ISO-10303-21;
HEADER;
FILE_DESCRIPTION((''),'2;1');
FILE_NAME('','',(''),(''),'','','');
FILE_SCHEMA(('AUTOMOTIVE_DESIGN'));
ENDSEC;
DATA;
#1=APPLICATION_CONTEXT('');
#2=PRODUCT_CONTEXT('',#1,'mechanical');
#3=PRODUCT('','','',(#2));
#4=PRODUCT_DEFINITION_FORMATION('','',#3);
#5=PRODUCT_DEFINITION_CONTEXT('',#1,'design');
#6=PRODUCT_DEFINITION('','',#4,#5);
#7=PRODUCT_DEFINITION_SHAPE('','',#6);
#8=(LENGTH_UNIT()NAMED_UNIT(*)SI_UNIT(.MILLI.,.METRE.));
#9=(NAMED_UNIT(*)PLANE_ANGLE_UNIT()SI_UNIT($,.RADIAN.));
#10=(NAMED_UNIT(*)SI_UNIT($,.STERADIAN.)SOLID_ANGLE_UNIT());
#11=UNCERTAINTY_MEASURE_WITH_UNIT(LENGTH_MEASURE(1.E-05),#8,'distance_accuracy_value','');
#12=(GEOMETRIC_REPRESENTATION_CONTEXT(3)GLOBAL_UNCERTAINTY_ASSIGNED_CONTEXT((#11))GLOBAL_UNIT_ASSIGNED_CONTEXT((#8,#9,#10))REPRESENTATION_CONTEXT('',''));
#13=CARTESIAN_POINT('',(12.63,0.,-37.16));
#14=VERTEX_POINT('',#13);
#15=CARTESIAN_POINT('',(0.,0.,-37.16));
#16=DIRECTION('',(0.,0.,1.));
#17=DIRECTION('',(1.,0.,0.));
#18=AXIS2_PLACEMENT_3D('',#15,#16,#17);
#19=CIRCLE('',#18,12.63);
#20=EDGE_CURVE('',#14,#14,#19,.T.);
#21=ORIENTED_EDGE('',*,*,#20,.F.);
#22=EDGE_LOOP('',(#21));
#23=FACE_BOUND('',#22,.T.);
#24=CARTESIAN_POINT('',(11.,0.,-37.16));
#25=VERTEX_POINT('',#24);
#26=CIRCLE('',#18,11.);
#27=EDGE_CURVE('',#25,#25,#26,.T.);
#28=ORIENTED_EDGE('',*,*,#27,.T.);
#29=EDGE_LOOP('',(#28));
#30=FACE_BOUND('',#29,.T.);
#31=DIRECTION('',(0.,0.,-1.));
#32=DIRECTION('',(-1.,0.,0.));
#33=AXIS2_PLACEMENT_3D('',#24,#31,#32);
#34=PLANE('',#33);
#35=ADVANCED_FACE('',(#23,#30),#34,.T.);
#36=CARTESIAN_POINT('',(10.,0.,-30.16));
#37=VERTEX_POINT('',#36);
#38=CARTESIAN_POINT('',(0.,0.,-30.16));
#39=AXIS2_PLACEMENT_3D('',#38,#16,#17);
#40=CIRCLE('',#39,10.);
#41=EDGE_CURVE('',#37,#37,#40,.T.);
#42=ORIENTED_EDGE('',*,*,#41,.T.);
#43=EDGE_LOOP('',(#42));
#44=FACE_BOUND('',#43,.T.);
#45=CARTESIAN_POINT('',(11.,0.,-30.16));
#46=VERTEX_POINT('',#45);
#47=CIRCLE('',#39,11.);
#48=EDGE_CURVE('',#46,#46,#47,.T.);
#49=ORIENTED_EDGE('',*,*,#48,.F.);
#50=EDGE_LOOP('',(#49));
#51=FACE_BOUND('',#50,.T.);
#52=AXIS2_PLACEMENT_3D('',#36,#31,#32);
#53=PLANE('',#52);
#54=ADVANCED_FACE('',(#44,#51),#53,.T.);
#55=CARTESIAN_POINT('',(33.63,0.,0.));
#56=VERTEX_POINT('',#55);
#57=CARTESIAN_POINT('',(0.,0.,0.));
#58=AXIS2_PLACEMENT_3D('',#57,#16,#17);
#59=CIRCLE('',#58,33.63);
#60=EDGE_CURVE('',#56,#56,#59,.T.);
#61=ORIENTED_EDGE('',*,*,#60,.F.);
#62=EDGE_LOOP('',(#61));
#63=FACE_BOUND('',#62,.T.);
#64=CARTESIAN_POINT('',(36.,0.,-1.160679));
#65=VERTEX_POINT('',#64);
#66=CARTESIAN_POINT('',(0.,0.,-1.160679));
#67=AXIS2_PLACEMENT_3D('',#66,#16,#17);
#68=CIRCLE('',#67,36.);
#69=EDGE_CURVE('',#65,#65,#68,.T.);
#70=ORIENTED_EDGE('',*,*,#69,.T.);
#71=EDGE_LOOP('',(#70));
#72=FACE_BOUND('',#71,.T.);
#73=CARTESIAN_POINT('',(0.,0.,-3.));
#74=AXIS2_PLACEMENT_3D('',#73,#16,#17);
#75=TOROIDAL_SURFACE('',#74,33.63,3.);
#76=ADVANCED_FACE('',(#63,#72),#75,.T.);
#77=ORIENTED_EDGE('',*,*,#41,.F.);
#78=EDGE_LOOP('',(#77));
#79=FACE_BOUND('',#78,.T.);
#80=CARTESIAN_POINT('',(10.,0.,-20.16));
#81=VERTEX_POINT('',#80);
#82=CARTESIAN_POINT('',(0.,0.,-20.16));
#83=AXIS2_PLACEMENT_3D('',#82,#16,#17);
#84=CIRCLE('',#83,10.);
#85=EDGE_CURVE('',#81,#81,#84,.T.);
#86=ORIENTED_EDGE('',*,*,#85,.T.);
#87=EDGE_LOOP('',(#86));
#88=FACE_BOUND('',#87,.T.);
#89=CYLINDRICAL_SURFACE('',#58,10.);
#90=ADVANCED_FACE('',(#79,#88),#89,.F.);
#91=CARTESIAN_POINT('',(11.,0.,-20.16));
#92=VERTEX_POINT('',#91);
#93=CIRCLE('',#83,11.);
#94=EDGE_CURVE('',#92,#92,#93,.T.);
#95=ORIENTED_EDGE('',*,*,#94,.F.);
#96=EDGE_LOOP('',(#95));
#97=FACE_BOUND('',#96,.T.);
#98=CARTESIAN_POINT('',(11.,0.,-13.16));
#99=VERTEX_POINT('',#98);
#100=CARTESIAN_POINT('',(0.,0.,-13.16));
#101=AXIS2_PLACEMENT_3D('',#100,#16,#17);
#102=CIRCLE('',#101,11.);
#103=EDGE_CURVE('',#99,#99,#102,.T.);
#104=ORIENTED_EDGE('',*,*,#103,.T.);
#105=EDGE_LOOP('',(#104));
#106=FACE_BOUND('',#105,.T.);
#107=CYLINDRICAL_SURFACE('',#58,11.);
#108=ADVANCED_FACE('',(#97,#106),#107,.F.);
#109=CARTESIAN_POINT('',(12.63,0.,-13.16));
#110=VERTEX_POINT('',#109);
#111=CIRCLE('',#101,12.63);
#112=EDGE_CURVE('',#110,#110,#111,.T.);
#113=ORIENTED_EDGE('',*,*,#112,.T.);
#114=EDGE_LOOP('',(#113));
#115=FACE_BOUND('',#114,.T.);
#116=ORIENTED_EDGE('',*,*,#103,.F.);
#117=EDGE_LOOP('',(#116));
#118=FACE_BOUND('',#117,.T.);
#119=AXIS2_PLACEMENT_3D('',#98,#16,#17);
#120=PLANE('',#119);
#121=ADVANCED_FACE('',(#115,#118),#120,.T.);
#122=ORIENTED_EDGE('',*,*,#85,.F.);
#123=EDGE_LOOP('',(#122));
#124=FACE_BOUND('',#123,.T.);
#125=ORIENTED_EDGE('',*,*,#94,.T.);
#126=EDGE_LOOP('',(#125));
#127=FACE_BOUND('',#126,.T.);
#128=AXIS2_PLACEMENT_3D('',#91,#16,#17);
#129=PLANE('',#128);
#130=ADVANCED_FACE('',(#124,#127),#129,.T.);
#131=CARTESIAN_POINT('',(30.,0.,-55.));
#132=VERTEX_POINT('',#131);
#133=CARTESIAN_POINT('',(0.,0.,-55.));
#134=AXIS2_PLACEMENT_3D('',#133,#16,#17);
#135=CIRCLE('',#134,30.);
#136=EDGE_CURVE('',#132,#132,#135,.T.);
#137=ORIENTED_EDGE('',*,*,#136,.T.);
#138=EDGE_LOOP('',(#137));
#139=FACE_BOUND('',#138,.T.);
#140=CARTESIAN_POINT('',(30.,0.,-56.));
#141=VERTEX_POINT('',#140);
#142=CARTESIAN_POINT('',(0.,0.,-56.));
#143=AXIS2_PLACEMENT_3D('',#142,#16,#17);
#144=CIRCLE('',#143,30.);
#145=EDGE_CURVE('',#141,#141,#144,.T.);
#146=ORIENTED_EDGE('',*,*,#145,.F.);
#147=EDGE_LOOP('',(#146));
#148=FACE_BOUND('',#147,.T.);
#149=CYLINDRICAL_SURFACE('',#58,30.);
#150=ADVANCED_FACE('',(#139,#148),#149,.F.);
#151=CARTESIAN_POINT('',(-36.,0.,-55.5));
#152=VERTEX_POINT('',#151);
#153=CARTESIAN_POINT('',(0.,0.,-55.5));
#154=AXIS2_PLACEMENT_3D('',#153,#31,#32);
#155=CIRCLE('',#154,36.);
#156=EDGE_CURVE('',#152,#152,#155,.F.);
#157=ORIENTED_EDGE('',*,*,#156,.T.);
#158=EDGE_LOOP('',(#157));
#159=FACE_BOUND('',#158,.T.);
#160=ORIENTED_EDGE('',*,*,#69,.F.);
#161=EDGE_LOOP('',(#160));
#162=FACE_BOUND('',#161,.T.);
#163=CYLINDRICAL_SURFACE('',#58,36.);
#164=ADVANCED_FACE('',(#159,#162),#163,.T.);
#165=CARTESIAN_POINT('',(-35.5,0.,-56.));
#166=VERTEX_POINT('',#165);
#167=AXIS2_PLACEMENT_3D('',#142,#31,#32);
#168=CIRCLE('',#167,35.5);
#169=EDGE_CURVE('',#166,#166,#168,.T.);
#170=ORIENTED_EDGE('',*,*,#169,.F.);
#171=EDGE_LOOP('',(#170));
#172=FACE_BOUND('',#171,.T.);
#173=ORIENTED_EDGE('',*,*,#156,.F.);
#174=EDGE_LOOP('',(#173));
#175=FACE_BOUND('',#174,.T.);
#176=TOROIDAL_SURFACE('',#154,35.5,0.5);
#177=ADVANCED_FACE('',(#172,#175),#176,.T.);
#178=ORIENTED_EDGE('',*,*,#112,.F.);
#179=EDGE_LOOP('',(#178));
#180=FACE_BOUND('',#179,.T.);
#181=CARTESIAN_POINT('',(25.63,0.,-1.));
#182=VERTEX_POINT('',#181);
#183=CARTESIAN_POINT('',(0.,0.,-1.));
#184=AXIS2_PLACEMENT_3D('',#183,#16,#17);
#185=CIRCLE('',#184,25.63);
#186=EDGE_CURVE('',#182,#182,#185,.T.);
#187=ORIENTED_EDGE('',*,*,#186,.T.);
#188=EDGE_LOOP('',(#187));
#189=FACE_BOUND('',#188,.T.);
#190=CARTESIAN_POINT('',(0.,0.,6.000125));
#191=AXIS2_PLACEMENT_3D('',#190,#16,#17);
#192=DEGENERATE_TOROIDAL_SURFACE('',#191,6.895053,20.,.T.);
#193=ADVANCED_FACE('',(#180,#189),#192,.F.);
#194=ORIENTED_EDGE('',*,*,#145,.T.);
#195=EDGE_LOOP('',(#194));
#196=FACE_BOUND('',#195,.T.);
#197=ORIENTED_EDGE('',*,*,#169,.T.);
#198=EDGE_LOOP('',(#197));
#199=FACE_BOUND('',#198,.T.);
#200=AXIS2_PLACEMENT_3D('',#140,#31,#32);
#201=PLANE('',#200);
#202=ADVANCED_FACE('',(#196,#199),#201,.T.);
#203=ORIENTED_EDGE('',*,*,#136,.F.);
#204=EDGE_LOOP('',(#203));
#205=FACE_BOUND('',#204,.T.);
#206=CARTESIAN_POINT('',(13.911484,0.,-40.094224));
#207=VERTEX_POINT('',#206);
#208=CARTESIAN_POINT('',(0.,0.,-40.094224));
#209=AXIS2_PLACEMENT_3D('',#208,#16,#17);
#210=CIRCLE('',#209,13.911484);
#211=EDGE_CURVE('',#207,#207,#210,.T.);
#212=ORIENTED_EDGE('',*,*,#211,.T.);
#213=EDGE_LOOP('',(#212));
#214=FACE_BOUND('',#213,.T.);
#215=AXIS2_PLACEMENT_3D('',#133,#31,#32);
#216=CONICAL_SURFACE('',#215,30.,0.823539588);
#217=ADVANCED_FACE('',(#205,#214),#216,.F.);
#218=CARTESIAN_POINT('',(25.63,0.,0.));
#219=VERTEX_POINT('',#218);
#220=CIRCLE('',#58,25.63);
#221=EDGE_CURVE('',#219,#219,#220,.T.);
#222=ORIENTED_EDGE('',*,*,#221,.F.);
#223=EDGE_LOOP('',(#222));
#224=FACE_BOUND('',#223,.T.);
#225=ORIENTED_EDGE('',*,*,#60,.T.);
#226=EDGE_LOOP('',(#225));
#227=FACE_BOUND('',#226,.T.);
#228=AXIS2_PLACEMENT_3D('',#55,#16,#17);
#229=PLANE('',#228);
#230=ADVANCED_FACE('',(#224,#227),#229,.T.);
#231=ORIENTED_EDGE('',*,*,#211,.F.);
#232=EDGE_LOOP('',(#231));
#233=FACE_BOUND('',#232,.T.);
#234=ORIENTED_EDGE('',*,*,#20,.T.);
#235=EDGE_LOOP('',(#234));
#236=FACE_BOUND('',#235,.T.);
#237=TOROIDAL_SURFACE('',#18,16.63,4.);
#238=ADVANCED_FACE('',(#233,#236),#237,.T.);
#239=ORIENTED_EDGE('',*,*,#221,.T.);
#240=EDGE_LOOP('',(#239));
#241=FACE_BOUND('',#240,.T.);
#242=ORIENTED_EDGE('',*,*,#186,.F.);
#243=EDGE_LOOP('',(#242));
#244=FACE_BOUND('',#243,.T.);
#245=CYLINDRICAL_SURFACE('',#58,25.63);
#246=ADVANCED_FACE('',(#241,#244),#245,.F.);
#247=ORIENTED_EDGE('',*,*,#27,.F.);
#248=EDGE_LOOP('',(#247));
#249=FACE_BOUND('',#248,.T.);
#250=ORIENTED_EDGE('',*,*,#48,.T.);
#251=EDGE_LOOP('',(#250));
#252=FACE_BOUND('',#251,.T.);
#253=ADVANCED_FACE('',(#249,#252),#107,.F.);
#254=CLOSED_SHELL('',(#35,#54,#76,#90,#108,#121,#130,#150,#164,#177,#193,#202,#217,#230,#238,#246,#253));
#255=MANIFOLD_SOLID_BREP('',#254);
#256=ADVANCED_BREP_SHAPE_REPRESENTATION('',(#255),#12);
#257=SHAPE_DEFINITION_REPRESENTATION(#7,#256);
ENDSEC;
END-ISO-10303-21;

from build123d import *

# Parameters (mm, degrees)
FILLET1_R = 0.5


with BuildPart() as part:
    # Sketch1 → Revolve1 (revolve)
    with BuildSketch(Plane(origin=(0, 0, 0), x_dir=(1, 0, 0), z_dir=(0, 1, 0))):
        with BuildLine():
            Line((36, 56), (36, 1.160679473))
            ThreePointArc((36, 1.160679473), (34.94947687, 0.305750422), (33.63, 0))
            Line((33.63, 0), (25.63, 0))
            Line((25.63, 0), (25.63, 1))
            ThreePointArc((25.63, 1), (20.557422009, 8.606026819), (12.63, 13.16))
            Line((12.63, 13.16), (11, 13.16))
            Line((11, 13.16), (11, 20.16))
            Line((11, 20.16), (10, 20.16))
            Line((10, 20.16), (10, 30.16))
            Line((10, 30.16), (11, 30.16))
            Line((11, 30.16), (11, 37.16))
            Line((11, 37.16), (12.63, 37.16))
            ThreePointArc((12.63, 37.16), (12.964344278, 38.760927271), (13.911484064, 40.094224107))
            Line((13.911484064, 40.094224107), (30, 55))
            Line((30, 55), (30, 56))
            Line((30, 56), (36, 56))
        make_face()
    revolve(axis=Axis((0, 0, 0), (0, 0, -1)))

    # Fillet1
    fillet1_edges = [part.edges().sort_by_distance(p)[0] for p in [
        (-36, 0, -56),
    ]]
    fillet(fillet1_edges, radius=FILLET1_R)


solid = part.part
